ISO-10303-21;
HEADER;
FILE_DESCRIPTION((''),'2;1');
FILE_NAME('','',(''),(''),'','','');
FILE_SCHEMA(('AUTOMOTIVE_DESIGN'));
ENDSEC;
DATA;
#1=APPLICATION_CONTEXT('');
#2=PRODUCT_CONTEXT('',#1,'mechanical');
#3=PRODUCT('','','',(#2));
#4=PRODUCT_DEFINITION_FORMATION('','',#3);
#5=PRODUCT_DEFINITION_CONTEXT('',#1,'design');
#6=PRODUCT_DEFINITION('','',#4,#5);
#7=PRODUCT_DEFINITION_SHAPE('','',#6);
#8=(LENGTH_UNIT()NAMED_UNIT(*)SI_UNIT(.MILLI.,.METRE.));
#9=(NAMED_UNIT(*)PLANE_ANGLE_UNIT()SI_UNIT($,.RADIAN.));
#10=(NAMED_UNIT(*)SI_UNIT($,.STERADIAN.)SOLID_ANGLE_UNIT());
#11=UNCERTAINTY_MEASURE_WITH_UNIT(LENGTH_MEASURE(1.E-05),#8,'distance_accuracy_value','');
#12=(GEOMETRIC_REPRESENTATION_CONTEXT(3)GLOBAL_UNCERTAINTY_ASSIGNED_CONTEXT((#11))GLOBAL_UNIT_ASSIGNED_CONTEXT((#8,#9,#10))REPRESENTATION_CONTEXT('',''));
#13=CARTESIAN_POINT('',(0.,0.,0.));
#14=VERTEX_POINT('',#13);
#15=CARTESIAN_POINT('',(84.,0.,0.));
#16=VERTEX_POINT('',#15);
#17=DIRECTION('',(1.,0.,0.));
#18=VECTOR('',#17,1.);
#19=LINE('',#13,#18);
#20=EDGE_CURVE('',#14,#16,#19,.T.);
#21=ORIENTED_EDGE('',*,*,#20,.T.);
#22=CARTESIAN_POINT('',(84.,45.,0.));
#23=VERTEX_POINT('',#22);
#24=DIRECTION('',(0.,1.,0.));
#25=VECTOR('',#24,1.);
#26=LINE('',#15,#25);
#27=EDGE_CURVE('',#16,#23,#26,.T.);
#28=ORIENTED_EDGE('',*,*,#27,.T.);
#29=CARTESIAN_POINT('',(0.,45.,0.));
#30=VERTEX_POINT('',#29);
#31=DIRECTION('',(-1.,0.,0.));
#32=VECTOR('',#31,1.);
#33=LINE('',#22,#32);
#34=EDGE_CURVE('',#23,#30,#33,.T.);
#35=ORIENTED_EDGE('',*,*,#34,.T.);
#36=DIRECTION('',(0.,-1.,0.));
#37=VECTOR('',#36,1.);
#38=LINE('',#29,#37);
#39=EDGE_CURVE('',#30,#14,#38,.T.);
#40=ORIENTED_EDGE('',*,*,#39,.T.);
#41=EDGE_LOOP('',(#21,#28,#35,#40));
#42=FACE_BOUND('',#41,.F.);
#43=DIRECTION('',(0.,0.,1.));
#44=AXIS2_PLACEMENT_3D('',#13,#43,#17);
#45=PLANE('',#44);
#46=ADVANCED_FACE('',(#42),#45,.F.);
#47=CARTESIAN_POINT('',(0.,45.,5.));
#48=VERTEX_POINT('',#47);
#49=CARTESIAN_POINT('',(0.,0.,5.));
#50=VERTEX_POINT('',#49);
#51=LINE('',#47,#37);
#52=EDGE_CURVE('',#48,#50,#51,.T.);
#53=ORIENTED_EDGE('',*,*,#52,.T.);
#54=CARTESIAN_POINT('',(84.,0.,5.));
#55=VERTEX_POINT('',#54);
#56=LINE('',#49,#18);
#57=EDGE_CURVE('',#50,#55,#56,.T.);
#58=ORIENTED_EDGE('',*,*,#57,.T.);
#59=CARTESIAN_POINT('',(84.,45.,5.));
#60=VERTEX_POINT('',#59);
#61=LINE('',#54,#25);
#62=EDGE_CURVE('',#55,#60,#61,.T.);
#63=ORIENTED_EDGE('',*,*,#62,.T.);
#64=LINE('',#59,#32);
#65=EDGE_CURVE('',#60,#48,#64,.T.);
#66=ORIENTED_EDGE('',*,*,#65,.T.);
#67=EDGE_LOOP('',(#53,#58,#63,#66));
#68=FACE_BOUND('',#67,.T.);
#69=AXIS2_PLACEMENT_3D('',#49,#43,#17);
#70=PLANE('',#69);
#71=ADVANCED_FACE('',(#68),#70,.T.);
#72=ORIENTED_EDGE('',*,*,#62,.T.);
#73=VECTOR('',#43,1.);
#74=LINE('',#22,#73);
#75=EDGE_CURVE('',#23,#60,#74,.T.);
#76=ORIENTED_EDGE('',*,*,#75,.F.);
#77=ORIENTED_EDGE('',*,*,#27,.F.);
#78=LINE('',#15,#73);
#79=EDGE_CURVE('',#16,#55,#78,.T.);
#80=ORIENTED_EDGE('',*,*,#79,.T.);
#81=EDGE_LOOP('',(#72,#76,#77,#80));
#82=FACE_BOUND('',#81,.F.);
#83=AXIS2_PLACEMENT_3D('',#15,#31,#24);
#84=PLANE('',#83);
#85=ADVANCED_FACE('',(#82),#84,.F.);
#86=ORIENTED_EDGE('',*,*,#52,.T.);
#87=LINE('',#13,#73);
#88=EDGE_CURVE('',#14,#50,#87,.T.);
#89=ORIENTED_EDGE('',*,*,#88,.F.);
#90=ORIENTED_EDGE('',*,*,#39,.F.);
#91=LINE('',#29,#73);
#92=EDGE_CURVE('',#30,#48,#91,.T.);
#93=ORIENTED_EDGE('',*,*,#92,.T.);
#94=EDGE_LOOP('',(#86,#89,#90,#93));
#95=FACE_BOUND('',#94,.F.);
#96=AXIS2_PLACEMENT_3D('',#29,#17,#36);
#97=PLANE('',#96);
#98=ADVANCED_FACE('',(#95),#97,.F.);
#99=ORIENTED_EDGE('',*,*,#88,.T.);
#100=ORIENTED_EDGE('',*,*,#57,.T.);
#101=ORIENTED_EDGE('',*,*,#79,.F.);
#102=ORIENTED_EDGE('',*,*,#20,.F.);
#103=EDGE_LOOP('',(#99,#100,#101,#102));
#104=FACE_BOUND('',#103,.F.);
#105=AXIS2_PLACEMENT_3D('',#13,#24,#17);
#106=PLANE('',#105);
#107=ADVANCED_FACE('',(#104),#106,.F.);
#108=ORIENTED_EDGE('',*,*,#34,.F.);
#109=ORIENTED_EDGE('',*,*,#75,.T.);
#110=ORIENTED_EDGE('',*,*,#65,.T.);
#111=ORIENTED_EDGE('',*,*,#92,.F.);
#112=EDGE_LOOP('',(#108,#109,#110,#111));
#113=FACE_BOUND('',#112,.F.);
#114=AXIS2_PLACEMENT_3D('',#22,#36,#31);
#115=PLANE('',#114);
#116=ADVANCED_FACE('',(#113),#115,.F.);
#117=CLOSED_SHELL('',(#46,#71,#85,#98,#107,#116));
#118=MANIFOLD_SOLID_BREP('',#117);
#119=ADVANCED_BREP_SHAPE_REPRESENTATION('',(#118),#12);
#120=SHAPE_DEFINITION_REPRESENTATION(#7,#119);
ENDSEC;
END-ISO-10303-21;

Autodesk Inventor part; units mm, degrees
ref_plane "YZ Plane" through (0, 0, 0) normal (1, 0, 0) x (0, 1, 0)
ref_plane "XZ Plane" through (0, 0, 0) normal (0, 1, 0) x (-1, 0, 0)
ref_plane "XY Plane" through (0, 0, 0) normal (0, 0, 1) x (1, 0, 0)
sketch "スケッチ1" plane through (0, 0, 0) normal (0, 0, 1) x (1, 0, 0)
  line L0 (0, 0) -> (84, 0)
  line L1 (84, 0) -> (84, 45)
  line L2 (84, 45) -> (0, 45)
  line L3 (0, 45) -> (0, 0)
  dimension "d0" = 45
  dimension "d1" = 84
extrude "押し出し1" add sketch "スケッチ1" along normal blind 5
properties part number "hip_servo_jig"
